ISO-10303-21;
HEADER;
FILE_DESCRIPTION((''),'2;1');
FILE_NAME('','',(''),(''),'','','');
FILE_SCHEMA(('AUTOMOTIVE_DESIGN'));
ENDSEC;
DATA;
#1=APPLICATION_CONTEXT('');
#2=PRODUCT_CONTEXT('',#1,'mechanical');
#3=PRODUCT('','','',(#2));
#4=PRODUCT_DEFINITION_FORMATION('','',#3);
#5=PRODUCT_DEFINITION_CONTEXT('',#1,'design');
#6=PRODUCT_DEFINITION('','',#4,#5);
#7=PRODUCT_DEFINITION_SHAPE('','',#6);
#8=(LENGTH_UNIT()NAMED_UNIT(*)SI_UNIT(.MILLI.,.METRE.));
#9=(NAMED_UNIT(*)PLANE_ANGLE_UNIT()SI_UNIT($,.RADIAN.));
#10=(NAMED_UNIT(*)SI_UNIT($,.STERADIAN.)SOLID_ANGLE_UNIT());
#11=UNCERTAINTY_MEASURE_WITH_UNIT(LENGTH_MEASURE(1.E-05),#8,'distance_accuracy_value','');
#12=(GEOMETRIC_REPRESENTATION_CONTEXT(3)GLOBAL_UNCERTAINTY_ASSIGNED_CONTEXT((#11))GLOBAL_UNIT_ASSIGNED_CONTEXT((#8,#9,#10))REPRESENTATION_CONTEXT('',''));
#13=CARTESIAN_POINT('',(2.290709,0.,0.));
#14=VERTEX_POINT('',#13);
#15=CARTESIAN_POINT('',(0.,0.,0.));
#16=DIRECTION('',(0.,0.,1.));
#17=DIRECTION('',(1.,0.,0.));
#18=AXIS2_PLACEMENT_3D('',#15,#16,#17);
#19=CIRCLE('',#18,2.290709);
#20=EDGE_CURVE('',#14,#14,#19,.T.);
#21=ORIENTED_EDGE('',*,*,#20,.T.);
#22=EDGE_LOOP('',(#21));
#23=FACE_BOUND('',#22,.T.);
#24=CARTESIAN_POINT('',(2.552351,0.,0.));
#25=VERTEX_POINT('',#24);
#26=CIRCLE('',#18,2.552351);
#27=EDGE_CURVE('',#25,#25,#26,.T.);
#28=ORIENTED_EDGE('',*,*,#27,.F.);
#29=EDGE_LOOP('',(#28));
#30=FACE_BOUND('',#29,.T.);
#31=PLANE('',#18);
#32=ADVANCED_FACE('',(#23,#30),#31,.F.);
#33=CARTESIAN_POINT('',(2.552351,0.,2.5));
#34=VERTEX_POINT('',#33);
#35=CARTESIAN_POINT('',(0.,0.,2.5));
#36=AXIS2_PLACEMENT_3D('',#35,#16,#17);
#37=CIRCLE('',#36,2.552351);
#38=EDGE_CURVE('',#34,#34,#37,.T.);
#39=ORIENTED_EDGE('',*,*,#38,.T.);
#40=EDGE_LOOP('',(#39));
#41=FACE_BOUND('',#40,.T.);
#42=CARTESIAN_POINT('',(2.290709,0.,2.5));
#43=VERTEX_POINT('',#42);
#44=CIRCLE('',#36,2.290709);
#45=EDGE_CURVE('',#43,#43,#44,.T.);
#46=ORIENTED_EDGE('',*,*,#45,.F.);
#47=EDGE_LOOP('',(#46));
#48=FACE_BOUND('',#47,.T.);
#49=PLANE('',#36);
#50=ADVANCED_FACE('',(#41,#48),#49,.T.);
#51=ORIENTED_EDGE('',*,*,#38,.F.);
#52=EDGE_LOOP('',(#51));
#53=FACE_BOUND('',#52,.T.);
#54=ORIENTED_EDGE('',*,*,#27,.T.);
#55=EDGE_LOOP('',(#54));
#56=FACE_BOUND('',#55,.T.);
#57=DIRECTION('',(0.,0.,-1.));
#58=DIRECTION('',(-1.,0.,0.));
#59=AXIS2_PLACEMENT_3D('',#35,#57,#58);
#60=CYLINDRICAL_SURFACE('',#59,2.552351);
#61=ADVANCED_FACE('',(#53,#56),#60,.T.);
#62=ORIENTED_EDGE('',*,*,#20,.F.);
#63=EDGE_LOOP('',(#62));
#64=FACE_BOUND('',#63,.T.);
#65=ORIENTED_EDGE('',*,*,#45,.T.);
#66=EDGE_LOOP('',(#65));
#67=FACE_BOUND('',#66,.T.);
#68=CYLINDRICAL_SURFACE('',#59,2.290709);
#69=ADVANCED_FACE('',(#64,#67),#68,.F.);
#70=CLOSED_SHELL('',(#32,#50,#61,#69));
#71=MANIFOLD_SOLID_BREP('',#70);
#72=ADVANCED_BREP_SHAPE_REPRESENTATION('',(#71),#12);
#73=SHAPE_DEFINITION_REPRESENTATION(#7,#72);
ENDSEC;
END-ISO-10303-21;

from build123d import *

# Parameters (mm, degrees)
SKETCH1_R           = 2.552350598
SKETCH1_R_2         = 2.290708709
BOSS_EXTRUDE1_DEPTH = 2.5


with BuildPart() as part:
    # Sketch1 → Boss-Extrude1 (new body)
    with BuildSketch(Plane.XY):
        Circle(SKETCH1_R)
        Circle(SKETCH1_R_2, mode=Mode.SUBTRACT)
    extrude(amount=BOSS_EXTRUDE1_DEPTH)


solid = part.part
